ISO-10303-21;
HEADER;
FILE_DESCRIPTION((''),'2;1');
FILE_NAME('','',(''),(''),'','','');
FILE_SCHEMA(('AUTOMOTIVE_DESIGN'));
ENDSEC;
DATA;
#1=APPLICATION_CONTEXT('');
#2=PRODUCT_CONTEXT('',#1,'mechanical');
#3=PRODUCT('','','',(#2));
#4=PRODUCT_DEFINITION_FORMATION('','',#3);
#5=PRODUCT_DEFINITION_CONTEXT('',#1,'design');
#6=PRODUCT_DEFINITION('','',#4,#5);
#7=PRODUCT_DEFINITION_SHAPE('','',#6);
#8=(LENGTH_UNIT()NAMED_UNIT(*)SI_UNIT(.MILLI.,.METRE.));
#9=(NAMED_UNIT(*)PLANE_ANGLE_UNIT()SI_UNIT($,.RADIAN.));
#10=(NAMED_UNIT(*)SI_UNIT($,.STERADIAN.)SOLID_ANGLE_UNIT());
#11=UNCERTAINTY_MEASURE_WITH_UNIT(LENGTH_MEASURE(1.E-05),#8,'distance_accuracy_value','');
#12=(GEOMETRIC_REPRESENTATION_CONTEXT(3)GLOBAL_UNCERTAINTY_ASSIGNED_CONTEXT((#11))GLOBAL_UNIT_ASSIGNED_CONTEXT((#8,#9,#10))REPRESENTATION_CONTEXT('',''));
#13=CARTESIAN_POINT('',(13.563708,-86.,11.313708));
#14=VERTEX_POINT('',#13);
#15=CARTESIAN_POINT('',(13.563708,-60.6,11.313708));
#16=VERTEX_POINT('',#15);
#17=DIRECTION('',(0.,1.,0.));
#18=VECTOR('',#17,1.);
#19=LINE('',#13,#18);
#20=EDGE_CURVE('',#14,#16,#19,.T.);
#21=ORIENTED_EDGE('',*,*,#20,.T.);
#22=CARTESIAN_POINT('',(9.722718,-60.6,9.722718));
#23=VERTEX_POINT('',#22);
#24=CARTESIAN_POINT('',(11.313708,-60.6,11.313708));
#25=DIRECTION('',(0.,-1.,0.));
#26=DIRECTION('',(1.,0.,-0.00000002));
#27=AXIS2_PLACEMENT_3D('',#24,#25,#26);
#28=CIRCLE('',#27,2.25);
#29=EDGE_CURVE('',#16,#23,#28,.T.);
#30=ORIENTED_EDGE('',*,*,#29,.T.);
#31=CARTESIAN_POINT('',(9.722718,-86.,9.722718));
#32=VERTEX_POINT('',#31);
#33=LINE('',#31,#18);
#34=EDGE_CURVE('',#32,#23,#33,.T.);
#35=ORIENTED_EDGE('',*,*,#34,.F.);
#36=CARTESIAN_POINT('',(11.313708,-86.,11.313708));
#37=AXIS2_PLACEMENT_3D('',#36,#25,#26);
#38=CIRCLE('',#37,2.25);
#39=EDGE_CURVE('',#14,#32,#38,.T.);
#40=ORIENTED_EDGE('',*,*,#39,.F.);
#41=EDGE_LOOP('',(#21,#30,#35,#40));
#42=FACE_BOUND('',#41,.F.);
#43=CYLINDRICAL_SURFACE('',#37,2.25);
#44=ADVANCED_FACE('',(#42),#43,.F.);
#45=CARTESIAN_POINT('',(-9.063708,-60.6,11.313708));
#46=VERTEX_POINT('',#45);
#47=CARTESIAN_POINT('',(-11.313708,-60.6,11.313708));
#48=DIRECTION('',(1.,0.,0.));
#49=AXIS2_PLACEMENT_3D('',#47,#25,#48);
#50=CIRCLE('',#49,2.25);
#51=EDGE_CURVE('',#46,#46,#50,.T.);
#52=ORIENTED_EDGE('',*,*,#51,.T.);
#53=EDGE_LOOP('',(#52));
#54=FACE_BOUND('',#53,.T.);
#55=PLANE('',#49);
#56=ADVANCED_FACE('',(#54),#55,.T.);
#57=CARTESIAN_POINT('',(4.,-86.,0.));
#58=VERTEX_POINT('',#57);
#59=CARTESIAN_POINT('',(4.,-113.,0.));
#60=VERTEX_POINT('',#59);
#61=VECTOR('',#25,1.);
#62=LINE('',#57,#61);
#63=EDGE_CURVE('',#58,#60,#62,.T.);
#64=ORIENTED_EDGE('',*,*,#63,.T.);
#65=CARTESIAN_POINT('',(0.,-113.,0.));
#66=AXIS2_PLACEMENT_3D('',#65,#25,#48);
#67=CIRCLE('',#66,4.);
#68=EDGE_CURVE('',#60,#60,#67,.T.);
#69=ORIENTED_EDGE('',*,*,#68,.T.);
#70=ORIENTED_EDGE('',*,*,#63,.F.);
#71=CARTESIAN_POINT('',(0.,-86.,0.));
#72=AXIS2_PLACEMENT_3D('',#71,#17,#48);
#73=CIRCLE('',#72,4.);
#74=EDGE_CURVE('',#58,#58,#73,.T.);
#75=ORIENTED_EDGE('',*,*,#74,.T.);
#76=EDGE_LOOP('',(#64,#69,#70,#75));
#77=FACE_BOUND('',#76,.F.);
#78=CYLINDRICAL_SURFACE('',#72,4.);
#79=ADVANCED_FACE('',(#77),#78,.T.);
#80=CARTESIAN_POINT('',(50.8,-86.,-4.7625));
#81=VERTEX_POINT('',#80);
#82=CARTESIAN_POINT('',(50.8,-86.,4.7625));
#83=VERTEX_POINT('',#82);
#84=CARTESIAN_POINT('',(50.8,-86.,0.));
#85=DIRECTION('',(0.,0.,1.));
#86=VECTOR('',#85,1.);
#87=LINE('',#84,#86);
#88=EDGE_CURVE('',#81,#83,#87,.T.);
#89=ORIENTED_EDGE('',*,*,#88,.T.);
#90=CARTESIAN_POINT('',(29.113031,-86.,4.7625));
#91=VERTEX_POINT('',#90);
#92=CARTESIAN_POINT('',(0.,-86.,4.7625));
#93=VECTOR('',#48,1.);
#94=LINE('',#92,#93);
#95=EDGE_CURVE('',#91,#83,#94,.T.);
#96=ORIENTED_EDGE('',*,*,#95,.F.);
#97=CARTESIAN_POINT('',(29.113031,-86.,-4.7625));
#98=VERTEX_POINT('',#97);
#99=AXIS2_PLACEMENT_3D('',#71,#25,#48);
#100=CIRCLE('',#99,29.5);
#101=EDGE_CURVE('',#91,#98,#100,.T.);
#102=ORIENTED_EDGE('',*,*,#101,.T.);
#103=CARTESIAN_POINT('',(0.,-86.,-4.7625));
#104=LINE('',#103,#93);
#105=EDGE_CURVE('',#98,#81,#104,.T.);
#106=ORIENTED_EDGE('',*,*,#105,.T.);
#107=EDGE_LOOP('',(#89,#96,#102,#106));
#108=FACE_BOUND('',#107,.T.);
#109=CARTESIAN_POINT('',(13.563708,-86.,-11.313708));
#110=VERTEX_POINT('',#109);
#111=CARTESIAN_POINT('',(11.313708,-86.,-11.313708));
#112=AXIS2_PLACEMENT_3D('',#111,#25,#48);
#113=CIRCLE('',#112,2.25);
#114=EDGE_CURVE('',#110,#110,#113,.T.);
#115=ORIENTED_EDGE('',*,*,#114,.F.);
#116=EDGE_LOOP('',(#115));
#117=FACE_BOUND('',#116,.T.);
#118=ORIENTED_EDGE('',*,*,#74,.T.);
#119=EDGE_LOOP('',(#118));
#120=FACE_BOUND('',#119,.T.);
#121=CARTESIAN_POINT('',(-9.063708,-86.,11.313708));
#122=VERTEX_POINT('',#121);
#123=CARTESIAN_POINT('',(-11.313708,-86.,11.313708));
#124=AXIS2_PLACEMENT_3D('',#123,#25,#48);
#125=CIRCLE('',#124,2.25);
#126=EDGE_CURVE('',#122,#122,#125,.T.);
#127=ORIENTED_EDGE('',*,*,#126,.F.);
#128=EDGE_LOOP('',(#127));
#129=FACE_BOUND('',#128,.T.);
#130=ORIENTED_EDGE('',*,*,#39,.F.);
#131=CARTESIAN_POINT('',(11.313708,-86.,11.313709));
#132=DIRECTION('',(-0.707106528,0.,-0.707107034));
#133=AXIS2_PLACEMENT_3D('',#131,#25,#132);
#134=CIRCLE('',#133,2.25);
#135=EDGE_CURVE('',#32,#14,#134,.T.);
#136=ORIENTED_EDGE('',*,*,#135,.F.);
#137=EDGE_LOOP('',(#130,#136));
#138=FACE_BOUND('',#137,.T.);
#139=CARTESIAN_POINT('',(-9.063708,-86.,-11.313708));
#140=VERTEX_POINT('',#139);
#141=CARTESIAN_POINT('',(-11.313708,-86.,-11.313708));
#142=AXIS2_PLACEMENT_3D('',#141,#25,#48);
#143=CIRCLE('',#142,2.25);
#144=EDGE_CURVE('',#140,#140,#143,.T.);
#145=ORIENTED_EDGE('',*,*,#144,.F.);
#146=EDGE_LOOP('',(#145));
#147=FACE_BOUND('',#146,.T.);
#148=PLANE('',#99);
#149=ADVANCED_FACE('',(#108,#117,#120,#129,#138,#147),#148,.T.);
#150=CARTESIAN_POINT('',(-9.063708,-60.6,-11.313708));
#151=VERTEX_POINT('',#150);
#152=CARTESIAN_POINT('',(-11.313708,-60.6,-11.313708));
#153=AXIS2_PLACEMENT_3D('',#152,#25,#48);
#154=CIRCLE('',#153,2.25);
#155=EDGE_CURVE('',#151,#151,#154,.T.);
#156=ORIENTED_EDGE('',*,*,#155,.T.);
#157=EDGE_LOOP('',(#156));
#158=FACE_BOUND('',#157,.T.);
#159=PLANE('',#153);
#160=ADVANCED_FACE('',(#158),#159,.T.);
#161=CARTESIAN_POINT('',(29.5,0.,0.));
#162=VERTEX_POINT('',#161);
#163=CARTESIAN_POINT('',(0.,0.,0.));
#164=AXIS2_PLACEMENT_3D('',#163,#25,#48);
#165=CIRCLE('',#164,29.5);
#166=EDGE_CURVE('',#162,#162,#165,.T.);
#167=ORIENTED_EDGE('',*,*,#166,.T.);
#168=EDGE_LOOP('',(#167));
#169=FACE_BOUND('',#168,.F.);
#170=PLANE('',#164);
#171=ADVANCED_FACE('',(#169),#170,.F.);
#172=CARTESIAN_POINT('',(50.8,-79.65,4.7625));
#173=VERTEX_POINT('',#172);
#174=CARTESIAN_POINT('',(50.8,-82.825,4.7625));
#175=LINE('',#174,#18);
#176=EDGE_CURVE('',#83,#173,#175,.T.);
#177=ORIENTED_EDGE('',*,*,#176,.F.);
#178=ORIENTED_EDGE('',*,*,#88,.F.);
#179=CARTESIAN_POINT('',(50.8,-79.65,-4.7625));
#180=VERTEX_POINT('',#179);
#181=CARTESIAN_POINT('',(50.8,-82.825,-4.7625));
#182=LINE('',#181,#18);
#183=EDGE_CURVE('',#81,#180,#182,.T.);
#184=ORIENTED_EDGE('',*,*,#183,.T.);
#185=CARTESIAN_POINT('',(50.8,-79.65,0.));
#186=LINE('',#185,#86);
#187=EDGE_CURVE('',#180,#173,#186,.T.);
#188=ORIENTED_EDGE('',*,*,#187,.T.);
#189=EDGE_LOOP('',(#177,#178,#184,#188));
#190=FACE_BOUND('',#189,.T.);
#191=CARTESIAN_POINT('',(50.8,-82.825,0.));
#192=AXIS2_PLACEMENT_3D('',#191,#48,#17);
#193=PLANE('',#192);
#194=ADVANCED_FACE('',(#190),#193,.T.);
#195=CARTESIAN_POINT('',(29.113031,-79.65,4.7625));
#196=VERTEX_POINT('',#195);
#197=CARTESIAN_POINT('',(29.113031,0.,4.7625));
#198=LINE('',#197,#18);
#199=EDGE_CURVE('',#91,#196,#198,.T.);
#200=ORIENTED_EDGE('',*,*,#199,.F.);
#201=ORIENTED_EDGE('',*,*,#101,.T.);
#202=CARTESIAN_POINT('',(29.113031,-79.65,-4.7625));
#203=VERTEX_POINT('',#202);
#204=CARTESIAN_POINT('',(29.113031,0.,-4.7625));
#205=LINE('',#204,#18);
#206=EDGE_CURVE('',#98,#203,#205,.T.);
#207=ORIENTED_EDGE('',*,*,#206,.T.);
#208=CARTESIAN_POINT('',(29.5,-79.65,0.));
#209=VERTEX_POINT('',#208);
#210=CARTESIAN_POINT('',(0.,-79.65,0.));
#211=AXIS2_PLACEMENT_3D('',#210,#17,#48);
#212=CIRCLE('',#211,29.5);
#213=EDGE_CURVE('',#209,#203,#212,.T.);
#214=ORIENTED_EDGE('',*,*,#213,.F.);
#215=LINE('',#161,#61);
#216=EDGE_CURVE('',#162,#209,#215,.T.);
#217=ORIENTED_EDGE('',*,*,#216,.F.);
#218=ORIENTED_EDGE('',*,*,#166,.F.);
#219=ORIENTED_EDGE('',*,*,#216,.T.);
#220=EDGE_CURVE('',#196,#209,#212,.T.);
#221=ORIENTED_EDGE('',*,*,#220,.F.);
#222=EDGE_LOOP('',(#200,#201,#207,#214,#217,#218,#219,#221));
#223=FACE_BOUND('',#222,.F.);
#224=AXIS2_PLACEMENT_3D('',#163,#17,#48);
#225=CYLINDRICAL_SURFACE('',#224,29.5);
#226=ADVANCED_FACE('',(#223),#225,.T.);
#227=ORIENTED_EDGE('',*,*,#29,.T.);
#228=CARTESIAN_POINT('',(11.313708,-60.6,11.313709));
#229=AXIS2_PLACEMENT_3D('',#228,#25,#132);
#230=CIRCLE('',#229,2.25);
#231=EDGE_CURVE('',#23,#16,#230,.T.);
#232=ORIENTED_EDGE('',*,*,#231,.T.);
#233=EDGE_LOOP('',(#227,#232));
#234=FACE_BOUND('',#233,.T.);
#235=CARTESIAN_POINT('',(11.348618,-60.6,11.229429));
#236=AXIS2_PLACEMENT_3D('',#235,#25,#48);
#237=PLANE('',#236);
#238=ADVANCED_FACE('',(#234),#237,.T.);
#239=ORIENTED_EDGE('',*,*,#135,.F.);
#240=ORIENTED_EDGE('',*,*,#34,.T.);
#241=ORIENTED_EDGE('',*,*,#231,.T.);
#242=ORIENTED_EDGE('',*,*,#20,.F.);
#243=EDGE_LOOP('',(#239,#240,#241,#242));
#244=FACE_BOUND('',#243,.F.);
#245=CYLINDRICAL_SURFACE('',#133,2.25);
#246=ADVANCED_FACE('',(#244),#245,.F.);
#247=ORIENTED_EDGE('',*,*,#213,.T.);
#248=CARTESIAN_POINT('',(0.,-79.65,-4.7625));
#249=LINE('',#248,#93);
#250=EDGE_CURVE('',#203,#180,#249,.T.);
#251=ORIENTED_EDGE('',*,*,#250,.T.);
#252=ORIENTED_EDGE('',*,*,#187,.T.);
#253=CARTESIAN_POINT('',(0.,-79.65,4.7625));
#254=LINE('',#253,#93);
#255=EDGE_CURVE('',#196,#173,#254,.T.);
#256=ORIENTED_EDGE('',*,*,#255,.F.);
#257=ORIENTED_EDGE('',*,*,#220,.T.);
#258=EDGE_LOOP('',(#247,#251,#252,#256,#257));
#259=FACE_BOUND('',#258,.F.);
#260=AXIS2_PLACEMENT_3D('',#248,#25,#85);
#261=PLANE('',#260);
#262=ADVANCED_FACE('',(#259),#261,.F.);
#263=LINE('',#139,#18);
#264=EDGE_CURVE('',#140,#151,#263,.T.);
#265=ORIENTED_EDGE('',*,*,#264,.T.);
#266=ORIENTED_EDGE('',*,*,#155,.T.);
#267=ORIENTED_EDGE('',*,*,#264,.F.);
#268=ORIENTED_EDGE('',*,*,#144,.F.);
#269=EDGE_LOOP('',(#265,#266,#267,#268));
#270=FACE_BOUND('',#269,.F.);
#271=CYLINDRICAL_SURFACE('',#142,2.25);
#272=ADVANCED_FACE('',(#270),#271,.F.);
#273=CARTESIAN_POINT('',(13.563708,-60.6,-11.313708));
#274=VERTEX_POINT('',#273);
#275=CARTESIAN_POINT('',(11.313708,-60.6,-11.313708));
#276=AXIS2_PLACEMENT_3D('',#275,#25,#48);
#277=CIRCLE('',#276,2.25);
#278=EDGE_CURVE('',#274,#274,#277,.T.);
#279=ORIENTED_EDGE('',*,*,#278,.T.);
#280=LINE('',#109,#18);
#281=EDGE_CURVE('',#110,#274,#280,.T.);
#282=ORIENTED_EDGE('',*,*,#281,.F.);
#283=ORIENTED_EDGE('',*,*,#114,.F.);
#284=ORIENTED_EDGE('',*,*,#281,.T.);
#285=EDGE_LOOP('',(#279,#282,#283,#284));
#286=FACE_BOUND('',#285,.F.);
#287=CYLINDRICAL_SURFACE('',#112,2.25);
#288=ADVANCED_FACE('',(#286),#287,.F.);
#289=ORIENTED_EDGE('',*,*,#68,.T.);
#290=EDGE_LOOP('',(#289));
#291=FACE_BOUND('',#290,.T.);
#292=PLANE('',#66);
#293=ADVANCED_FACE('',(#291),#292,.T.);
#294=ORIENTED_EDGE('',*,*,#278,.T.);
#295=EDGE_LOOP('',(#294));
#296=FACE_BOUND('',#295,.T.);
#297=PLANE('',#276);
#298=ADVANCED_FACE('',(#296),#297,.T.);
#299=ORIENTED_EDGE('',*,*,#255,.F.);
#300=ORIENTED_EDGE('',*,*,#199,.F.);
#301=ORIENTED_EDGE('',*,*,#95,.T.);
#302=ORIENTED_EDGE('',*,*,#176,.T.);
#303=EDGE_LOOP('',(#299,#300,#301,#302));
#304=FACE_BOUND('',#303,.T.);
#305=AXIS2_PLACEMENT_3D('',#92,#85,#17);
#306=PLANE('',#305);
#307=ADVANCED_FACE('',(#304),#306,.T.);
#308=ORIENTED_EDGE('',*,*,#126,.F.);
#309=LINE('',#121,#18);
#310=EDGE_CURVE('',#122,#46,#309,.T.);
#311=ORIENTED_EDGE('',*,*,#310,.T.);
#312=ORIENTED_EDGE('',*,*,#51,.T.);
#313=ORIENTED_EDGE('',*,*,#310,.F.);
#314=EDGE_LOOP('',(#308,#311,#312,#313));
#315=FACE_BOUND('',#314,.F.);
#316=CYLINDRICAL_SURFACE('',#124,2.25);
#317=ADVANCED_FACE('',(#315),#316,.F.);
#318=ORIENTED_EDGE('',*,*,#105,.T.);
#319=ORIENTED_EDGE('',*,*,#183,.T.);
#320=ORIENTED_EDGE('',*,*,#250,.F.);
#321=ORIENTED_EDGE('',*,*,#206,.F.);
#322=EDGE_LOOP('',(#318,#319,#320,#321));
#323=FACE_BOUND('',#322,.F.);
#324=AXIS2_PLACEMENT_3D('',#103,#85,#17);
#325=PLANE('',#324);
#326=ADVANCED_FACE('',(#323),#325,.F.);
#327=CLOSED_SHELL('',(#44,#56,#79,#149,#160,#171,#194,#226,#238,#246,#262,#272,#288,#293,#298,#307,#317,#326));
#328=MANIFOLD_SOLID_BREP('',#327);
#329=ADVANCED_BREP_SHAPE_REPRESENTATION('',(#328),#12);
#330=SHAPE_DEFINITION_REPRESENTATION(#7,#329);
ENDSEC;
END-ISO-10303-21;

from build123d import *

# Parameters (mm, degrees)
F0_R     = 29.5
F1_DEPTH = 86
F2_R     = 4
F3_DEPTH = 27
F5_W     = 6.35
F5_H     = 9.525
F6_DEPTH = 50.8
F4_R     = 2.25
F7_DEPTH = 25.4


with BuildPart() as f1:
    # F0 (on Front) → F1 (new body)
    with BuildSketch(Plane.XZ):
        Circle(F0_R)
    extrude(amount=F1_DEPTH)

    # F2 (on face) → F3 (join)
    with BuildSketch(Plane.XZ.offset(86)):
        Circle(F2_R)
    extrude(amount=F3_DEPTH)

    # F5 (on Right) → F6 (join)
    with BuildSketch(Plane.YZ):
        with Locations((-82.825, 0)):
            Rectangle(F5_W, F5_H)
    extrude(amount=F6_DEPTH)

    # F4 (on face) → F7 (cut)
    with BuildSketch(Plane.XZ.offset(86)):
        with BuildLine():
            ThreePointArc((9.722718, 9.722718), (12.174746, 9.23498), (13.563708, 11.313708))
            ThreePointArc((13.563708, 11.313708), (10.452671, 13.392437), (9.722718, 9.722718))
        make_face()
        with Locations((-11.313708, 11.313708)):
            Circle(F4_R)
        with Locations((-11.313708, -11.313708)):
            Circle(F4_R)
        with Locations((11.313708, -11.313708)):
            Circle(F4_R)
    extrude(amount=-F7_DEPTH, mode=Mode.SUBTRACT)


solid = f1.part
